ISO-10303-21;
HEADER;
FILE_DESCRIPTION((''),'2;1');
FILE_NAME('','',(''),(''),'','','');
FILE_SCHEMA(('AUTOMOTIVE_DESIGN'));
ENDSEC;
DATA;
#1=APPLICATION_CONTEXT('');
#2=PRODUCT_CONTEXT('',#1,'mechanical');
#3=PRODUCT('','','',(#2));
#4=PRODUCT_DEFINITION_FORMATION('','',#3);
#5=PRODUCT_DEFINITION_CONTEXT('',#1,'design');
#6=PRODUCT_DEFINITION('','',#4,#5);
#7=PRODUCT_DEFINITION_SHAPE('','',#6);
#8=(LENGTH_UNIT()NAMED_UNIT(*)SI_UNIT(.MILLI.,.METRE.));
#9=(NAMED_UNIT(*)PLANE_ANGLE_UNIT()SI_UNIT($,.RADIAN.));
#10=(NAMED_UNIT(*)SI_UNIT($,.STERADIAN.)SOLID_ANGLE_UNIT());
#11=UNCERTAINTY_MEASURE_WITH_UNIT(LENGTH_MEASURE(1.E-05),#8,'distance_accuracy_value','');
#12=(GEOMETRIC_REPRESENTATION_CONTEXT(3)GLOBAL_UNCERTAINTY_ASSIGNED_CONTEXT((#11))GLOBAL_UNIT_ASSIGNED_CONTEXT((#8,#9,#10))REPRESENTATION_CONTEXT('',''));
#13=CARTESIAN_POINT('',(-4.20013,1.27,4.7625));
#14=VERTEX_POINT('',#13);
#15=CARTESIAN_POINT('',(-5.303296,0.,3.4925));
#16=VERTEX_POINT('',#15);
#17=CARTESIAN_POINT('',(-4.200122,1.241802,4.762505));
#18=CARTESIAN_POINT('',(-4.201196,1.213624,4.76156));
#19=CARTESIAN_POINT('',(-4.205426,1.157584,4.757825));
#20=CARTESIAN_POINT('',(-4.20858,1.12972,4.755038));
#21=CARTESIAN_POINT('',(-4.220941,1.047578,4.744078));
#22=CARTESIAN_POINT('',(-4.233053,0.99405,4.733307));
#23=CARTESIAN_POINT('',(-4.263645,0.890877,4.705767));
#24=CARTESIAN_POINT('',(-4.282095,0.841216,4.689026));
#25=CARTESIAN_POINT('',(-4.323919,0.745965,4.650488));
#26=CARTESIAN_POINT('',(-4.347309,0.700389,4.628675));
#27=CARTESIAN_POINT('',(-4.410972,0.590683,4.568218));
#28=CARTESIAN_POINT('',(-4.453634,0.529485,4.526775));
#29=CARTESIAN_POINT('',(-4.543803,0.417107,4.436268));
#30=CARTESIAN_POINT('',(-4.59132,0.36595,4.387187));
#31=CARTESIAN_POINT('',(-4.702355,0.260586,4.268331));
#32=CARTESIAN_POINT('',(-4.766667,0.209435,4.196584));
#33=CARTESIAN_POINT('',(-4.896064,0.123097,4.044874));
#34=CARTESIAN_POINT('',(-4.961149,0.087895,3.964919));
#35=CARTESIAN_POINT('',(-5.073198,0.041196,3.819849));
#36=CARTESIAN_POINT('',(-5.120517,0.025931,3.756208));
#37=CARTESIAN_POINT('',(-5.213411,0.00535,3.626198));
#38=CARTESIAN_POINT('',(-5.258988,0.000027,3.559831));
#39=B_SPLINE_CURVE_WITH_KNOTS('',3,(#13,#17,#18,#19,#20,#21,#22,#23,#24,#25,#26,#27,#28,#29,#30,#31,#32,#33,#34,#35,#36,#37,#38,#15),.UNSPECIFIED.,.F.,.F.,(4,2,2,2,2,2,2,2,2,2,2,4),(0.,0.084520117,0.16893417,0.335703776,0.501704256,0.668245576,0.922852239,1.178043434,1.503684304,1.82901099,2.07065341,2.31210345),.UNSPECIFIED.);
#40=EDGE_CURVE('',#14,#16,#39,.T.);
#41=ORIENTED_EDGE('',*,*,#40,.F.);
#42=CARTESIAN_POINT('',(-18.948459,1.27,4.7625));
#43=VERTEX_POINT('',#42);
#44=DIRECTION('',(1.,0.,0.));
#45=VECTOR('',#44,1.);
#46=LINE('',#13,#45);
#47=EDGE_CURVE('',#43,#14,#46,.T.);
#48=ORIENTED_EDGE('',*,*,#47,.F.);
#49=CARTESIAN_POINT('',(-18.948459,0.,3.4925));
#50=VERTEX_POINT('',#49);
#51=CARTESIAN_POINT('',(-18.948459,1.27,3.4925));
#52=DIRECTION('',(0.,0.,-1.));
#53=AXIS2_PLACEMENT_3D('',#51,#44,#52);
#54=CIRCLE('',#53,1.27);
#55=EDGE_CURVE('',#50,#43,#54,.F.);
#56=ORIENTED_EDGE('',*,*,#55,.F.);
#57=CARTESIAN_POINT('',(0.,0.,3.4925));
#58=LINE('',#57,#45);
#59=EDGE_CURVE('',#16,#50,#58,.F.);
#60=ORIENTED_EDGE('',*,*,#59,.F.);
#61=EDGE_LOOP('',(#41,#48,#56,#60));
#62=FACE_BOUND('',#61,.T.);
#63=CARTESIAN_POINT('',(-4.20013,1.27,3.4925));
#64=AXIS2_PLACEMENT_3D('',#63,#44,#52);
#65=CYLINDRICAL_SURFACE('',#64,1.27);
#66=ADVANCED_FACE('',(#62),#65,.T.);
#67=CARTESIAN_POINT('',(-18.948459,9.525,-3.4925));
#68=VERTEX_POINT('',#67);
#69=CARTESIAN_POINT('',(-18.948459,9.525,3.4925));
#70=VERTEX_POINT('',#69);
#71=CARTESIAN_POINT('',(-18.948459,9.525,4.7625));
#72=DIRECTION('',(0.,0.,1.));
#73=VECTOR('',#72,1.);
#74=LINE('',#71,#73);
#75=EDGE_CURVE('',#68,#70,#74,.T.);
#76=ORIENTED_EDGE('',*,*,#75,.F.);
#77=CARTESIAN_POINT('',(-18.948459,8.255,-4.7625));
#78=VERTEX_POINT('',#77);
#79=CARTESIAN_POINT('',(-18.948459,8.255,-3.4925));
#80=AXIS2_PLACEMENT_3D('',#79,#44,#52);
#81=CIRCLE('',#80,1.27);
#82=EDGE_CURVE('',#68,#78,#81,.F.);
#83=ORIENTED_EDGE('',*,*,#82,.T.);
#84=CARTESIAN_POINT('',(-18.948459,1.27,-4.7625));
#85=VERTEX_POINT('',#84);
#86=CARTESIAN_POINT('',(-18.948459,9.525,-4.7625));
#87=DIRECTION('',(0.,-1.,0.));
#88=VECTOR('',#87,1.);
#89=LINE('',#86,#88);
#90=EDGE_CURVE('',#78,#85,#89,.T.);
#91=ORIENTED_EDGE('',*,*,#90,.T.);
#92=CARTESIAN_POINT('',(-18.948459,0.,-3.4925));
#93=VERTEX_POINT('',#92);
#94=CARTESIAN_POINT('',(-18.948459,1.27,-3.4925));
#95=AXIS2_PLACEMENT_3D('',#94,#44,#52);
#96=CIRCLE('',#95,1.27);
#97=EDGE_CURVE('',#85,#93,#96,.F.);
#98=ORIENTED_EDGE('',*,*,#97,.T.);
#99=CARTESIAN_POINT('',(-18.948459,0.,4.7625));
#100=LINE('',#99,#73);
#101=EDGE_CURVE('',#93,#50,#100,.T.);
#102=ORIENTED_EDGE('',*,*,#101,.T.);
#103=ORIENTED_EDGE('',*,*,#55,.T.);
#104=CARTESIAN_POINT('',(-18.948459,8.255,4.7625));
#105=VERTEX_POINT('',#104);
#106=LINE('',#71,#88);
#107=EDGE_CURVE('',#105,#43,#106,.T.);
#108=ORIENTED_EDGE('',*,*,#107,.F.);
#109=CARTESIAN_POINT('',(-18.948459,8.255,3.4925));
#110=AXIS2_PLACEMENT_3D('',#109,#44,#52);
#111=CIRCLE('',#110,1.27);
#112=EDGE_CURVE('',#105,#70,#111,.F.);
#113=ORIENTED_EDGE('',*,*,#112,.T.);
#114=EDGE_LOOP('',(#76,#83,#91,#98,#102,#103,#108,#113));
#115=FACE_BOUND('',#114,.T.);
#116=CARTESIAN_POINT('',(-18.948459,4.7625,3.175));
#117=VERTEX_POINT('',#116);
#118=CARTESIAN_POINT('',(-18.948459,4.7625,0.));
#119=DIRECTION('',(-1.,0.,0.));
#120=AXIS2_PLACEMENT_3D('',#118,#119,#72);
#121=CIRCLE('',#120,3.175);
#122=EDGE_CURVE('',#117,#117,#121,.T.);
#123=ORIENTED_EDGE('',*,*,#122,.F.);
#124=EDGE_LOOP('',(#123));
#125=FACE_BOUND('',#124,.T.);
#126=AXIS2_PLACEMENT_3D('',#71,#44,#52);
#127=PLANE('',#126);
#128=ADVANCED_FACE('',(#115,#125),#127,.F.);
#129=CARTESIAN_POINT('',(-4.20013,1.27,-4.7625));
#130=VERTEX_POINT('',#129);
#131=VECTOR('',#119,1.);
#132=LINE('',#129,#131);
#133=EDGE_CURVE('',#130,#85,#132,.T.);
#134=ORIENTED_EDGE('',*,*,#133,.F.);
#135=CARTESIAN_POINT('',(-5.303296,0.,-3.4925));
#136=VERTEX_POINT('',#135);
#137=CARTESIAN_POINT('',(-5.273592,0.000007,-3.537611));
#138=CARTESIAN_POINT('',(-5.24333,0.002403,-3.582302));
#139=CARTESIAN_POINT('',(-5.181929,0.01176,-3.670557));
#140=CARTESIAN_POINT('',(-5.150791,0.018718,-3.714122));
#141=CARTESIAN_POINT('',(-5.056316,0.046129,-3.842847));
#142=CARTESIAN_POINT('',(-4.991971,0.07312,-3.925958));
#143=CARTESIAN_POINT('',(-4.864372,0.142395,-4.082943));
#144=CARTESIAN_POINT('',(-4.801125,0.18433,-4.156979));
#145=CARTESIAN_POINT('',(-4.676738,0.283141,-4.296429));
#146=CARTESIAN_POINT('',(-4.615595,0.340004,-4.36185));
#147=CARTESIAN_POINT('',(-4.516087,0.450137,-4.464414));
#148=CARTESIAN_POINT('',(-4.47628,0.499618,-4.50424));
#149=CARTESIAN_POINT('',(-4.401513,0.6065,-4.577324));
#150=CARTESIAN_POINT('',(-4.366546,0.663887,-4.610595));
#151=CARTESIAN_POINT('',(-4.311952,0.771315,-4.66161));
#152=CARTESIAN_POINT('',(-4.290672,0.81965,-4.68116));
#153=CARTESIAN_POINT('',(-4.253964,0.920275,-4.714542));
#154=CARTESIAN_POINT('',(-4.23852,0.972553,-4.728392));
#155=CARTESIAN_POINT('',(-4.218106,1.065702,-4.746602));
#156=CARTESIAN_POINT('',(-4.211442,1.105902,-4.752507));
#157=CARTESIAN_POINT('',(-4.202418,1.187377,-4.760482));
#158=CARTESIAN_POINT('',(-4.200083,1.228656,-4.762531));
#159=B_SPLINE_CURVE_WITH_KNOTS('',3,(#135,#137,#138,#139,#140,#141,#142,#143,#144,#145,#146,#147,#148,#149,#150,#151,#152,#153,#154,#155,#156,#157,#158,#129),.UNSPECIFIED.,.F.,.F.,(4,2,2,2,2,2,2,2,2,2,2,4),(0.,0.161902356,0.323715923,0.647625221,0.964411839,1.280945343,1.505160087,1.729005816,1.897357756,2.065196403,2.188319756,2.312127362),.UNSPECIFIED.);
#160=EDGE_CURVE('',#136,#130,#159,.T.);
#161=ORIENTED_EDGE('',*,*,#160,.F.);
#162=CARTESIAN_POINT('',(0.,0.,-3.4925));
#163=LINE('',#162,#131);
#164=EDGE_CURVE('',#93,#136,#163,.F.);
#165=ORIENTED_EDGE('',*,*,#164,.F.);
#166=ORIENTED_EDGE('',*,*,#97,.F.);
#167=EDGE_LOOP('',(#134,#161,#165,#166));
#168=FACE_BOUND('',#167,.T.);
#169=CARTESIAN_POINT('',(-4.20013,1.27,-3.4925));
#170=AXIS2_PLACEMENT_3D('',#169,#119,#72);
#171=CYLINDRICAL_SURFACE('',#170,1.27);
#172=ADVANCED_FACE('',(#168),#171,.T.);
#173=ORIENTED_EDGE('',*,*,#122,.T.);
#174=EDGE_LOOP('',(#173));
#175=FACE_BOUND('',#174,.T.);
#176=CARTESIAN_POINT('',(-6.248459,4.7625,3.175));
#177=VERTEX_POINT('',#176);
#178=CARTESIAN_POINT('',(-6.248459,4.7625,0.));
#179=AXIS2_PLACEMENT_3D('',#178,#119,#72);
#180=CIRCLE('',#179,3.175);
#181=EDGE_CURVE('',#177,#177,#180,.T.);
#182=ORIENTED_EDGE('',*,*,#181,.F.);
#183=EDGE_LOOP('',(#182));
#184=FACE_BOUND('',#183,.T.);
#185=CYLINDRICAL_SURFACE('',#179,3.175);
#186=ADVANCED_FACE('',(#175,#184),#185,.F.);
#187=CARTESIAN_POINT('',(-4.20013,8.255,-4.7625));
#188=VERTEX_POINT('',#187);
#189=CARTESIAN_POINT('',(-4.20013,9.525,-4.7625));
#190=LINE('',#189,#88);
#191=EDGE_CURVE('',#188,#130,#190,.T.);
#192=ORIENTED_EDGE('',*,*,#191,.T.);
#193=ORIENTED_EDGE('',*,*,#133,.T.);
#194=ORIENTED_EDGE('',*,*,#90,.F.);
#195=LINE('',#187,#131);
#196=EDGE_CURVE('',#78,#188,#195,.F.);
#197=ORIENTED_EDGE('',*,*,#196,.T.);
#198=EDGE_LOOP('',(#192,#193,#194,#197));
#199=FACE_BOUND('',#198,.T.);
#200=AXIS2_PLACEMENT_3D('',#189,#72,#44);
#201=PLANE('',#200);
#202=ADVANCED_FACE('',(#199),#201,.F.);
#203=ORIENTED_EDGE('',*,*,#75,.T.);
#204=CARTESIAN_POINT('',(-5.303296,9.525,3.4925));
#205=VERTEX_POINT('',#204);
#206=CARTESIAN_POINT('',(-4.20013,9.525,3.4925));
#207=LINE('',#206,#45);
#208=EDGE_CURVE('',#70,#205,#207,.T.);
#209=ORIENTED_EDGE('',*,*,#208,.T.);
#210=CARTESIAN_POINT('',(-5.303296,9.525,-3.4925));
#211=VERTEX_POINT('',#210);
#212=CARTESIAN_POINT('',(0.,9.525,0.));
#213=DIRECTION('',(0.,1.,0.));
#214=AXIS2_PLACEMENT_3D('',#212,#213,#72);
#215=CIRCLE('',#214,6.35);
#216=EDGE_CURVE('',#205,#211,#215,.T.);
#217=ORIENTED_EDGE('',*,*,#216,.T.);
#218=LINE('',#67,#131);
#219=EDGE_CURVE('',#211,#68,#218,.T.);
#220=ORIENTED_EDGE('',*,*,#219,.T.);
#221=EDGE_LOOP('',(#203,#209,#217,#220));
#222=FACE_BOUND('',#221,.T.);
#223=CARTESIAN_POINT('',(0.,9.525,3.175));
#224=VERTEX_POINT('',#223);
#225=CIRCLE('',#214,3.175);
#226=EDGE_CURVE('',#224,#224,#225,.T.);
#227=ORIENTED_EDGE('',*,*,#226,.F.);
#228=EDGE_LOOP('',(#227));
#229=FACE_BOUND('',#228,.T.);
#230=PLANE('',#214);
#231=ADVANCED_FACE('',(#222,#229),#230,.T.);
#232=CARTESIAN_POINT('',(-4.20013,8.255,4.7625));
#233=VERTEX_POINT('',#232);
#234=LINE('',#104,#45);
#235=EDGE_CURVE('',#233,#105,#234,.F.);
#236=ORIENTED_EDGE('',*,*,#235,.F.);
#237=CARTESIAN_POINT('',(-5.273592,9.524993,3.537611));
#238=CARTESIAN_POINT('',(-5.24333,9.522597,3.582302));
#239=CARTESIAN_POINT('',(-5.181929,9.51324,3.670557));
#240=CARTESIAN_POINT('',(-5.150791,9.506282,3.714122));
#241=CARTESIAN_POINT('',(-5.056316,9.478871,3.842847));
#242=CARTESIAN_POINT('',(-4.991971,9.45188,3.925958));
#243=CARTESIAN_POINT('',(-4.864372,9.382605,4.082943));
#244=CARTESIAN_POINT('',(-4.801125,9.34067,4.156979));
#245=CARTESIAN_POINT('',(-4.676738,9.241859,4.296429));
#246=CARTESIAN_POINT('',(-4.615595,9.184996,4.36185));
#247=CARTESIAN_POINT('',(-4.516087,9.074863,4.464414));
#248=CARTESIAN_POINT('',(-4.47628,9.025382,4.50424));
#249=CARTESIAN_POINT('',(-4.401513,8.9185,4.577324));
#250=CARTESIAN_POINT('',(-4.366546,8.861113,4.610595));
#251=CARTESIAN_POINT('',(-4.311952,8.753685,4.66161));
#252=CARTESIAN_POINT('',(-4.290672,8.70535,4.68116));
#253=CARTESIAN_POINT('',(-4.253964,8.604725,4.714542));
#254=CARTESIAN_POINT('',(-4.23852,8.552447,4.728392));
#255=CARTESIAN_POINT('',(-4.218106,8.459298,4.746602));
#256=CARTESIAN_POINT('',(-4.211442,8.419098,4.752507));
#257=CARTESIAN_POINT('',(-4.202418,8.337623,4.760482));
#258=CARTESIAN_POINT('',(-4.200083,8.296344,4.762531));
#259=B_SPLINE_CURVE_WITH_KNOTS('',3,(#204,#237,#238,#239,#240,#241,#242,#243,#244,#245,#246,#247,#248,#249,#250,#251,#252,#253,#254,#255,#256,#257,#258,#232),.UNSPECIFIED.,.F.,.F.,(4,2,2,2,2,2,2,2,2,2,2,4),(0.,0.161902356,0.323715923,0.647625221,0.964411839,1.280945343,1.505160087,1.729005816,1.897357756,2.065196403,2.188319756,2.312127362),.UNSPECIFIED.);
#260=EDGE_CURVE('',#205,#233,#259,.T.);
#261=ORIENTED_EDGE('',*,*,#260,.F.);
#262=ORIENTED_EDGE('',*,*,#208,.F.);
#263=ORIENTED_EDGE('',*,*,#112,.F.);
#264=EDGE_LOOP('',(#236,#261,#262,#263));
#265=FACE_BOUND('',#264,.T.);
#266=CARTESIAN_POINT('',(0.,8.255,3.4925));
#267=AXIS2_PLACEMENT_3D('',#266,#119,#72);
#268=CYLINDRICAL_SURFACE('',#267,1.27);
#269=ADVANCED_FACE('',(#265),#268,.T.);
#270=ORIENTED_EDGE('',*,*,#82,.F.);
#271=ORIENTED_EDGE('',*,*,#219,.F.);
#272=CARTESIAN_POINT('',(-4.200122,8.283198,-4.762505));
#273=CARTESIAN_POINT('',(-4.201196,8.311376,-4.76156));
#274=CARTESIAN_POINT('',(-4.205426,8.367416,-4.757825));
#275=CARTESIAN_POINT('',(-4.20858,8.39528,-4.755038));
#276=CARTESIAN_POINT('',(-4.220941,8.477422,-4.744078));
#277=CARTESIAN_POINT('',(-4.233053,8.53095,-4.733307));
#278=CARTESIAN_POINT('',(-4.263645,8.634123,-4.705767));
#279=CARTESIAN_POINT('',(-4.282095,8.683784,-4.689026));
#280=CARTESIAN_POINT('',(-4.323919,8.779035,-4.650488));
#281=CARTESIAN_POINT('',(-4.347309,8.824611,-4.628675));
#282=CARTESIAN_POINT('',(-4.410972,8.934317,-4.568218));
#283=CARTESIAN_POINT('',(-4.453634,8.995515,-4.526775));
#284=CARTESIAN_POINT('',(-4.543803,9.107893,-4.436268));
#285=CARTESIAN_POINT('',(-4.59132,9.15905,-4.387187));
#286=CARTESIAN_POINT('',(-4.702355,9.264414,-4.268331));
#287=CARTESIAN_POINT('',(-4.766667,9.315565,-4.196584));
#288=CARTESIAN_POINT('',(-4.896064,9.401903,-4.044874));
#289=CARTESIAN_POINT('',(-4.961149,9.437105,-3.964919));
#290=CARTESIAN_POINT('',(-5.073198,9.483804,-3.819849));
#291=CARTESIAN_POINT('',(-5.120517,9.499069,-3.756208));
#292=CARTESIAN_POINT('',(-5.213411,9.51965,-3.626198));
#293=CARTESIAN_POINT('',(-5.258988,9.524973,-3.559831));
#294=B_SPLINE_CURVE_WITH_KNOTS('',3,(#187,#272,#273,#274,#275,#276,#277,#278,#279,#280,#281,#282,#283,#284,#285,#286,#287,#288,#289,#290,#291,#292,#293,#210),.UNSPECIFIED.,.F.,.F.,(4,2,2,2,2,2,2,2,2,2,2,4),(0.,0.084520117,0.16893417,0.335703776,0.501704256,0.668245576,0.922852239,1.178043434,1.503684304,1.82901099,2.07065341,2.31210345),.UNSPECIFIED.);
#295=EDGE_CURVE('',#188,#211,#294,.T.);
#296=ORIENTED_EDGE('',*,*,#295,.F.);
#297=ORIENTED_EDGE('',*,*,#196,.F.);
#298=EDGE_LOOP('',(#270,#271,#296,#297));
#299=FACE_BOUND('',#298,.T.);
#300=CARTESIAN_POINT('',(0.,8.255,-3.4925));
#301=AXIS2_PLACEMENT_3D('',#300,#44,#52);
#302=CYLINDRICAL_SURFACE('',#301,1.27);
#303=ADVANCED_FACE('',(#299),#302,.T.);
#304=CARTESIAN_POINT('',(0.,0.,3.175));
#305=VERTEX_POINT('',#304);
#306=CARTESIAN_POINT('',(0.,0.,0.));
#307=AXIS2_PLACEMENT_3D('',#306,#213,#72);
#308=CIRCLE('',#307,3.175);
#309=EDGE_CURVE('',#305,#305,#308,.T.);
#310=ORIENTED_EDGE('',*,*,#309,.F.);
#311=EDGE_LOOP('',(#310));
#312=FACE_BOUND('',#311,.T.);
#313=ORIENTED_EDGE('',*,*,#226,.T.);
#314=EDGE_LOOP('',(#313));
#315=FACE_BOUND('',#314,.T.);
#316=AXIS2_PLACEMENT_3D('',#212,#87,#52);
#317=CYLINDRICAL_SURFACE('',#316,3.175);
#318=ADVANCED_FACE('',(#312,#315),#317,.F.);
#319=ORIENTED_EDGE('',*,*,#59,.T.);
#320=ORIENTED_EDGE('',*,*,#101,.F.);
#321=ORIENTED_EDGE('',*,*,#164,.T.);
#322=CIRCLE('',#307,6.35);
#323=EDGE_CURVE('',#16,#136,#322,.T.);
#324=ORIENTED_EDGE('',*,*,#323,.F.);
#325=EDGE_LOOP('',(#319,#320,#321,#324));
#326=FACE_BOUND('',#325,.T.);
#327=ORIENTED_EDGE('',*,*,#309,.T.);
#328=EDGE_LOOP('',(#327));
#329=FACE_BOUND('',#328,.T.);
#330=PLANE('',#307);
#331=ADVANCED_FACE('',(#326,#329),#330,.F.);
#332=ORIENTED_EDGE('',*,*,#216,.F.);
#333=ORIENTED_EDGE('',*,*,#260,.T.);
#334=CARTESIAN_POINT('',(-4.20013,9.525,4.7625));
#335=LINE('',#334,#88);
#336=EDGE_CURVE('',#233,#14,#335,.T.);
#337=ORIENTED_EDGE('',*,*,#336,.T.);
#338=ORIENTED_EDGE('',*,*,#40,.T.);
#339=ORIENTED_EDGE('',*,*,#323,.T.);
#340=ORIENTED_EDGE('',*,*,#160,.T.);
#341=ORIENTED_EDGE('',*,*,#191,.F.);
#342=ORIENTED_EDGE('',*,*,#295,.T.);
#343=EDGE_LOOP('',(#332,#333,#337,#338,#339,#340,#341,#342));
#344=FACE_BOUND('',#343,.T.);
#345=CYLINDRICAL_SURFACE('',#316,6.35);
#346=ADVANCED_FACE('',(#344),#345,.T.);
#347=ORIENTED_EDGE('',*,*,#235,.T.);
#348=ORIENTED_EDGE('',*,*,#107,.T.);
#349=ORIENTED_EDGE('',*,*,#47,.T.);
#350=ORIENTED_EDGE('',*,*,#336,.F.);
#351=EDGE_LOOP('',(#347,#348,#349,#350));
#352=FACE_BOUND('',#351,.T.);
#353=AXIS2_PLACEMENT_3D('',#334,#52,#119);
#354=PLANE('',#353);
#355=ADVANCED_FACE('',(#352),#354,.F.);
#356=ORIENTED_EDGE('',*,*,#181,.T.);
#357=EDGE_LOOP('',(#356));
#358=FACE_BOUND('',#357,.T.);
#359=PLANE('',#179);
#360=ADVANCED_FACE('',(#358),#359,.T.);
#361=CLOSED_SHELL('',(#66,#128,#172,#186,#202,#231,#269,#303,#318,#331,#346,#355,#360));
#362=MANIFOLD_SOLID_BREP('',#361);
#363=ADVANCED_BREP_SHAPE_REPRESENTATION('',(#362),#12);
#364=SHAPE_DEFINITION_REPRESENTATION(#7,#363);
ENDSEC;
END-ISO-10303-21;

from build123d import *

# Parameters (mm, degrees)
SKETCH1_R           = 3.175
BOSS_EXTRUDE1_DEPTH = 9.525
FILLET1_R           = 1.27
SKETCH2_R           = 3.175
CUT_EXTRUDE1_DEPTH  = 12.7


with BuildPart() as part:
    # Sketch1 → Boss-Extrude1 (new body)
    with BuildSketch(Plane(origin=(0, 0, 0), x_dir=(1, 0, 0), z_dir=(0, 1, 0))):
        with BuildLine():
            Line((-4.200130206, -4.7625), (-18.948458917, -4.7625))
            Line((-18.948458917, -4.7625), (-18.948458917, 4.7625))
            Line((-18.948458917, 4.7625), (-4.200130206, 4.7625))
            ThreePointArc((-4.200130206, 4.7625), (6.35, 0), (-4.200130206, -4.7625))
        make_face()
        Circle(SKETCH1_R, mode=Mode.SUBTRACT)
    extrude(amount=BOSS_EXTRUDE1_DEPTH)

    # Fillet1
    fillet1_edges = [part.edges().sort_by_distance(p)[0] for p in [
        (-11.574294562, 9.525, -4.7625),
        (-11.574294562, 0, -4.7625),
        (-11.574294562, 0, 4.7625),
        (-11.574294562, 9.525, 4.7625),
    ]]
    fillet(fillet1_edges, radius=FILLET1_R)

    # Sketch2 → Cut-Extrude1 (cut)
    with BuildSketch(Plane.ZY.offset(18.948458917)):
        with Locations((0, 4.7625)):
            Circle(SKETCH2_R)
    extrude(amount=-CUT_EXTRUDE1_DEPTH, mode=Mode.SUBTRACT)


solid = part.part
